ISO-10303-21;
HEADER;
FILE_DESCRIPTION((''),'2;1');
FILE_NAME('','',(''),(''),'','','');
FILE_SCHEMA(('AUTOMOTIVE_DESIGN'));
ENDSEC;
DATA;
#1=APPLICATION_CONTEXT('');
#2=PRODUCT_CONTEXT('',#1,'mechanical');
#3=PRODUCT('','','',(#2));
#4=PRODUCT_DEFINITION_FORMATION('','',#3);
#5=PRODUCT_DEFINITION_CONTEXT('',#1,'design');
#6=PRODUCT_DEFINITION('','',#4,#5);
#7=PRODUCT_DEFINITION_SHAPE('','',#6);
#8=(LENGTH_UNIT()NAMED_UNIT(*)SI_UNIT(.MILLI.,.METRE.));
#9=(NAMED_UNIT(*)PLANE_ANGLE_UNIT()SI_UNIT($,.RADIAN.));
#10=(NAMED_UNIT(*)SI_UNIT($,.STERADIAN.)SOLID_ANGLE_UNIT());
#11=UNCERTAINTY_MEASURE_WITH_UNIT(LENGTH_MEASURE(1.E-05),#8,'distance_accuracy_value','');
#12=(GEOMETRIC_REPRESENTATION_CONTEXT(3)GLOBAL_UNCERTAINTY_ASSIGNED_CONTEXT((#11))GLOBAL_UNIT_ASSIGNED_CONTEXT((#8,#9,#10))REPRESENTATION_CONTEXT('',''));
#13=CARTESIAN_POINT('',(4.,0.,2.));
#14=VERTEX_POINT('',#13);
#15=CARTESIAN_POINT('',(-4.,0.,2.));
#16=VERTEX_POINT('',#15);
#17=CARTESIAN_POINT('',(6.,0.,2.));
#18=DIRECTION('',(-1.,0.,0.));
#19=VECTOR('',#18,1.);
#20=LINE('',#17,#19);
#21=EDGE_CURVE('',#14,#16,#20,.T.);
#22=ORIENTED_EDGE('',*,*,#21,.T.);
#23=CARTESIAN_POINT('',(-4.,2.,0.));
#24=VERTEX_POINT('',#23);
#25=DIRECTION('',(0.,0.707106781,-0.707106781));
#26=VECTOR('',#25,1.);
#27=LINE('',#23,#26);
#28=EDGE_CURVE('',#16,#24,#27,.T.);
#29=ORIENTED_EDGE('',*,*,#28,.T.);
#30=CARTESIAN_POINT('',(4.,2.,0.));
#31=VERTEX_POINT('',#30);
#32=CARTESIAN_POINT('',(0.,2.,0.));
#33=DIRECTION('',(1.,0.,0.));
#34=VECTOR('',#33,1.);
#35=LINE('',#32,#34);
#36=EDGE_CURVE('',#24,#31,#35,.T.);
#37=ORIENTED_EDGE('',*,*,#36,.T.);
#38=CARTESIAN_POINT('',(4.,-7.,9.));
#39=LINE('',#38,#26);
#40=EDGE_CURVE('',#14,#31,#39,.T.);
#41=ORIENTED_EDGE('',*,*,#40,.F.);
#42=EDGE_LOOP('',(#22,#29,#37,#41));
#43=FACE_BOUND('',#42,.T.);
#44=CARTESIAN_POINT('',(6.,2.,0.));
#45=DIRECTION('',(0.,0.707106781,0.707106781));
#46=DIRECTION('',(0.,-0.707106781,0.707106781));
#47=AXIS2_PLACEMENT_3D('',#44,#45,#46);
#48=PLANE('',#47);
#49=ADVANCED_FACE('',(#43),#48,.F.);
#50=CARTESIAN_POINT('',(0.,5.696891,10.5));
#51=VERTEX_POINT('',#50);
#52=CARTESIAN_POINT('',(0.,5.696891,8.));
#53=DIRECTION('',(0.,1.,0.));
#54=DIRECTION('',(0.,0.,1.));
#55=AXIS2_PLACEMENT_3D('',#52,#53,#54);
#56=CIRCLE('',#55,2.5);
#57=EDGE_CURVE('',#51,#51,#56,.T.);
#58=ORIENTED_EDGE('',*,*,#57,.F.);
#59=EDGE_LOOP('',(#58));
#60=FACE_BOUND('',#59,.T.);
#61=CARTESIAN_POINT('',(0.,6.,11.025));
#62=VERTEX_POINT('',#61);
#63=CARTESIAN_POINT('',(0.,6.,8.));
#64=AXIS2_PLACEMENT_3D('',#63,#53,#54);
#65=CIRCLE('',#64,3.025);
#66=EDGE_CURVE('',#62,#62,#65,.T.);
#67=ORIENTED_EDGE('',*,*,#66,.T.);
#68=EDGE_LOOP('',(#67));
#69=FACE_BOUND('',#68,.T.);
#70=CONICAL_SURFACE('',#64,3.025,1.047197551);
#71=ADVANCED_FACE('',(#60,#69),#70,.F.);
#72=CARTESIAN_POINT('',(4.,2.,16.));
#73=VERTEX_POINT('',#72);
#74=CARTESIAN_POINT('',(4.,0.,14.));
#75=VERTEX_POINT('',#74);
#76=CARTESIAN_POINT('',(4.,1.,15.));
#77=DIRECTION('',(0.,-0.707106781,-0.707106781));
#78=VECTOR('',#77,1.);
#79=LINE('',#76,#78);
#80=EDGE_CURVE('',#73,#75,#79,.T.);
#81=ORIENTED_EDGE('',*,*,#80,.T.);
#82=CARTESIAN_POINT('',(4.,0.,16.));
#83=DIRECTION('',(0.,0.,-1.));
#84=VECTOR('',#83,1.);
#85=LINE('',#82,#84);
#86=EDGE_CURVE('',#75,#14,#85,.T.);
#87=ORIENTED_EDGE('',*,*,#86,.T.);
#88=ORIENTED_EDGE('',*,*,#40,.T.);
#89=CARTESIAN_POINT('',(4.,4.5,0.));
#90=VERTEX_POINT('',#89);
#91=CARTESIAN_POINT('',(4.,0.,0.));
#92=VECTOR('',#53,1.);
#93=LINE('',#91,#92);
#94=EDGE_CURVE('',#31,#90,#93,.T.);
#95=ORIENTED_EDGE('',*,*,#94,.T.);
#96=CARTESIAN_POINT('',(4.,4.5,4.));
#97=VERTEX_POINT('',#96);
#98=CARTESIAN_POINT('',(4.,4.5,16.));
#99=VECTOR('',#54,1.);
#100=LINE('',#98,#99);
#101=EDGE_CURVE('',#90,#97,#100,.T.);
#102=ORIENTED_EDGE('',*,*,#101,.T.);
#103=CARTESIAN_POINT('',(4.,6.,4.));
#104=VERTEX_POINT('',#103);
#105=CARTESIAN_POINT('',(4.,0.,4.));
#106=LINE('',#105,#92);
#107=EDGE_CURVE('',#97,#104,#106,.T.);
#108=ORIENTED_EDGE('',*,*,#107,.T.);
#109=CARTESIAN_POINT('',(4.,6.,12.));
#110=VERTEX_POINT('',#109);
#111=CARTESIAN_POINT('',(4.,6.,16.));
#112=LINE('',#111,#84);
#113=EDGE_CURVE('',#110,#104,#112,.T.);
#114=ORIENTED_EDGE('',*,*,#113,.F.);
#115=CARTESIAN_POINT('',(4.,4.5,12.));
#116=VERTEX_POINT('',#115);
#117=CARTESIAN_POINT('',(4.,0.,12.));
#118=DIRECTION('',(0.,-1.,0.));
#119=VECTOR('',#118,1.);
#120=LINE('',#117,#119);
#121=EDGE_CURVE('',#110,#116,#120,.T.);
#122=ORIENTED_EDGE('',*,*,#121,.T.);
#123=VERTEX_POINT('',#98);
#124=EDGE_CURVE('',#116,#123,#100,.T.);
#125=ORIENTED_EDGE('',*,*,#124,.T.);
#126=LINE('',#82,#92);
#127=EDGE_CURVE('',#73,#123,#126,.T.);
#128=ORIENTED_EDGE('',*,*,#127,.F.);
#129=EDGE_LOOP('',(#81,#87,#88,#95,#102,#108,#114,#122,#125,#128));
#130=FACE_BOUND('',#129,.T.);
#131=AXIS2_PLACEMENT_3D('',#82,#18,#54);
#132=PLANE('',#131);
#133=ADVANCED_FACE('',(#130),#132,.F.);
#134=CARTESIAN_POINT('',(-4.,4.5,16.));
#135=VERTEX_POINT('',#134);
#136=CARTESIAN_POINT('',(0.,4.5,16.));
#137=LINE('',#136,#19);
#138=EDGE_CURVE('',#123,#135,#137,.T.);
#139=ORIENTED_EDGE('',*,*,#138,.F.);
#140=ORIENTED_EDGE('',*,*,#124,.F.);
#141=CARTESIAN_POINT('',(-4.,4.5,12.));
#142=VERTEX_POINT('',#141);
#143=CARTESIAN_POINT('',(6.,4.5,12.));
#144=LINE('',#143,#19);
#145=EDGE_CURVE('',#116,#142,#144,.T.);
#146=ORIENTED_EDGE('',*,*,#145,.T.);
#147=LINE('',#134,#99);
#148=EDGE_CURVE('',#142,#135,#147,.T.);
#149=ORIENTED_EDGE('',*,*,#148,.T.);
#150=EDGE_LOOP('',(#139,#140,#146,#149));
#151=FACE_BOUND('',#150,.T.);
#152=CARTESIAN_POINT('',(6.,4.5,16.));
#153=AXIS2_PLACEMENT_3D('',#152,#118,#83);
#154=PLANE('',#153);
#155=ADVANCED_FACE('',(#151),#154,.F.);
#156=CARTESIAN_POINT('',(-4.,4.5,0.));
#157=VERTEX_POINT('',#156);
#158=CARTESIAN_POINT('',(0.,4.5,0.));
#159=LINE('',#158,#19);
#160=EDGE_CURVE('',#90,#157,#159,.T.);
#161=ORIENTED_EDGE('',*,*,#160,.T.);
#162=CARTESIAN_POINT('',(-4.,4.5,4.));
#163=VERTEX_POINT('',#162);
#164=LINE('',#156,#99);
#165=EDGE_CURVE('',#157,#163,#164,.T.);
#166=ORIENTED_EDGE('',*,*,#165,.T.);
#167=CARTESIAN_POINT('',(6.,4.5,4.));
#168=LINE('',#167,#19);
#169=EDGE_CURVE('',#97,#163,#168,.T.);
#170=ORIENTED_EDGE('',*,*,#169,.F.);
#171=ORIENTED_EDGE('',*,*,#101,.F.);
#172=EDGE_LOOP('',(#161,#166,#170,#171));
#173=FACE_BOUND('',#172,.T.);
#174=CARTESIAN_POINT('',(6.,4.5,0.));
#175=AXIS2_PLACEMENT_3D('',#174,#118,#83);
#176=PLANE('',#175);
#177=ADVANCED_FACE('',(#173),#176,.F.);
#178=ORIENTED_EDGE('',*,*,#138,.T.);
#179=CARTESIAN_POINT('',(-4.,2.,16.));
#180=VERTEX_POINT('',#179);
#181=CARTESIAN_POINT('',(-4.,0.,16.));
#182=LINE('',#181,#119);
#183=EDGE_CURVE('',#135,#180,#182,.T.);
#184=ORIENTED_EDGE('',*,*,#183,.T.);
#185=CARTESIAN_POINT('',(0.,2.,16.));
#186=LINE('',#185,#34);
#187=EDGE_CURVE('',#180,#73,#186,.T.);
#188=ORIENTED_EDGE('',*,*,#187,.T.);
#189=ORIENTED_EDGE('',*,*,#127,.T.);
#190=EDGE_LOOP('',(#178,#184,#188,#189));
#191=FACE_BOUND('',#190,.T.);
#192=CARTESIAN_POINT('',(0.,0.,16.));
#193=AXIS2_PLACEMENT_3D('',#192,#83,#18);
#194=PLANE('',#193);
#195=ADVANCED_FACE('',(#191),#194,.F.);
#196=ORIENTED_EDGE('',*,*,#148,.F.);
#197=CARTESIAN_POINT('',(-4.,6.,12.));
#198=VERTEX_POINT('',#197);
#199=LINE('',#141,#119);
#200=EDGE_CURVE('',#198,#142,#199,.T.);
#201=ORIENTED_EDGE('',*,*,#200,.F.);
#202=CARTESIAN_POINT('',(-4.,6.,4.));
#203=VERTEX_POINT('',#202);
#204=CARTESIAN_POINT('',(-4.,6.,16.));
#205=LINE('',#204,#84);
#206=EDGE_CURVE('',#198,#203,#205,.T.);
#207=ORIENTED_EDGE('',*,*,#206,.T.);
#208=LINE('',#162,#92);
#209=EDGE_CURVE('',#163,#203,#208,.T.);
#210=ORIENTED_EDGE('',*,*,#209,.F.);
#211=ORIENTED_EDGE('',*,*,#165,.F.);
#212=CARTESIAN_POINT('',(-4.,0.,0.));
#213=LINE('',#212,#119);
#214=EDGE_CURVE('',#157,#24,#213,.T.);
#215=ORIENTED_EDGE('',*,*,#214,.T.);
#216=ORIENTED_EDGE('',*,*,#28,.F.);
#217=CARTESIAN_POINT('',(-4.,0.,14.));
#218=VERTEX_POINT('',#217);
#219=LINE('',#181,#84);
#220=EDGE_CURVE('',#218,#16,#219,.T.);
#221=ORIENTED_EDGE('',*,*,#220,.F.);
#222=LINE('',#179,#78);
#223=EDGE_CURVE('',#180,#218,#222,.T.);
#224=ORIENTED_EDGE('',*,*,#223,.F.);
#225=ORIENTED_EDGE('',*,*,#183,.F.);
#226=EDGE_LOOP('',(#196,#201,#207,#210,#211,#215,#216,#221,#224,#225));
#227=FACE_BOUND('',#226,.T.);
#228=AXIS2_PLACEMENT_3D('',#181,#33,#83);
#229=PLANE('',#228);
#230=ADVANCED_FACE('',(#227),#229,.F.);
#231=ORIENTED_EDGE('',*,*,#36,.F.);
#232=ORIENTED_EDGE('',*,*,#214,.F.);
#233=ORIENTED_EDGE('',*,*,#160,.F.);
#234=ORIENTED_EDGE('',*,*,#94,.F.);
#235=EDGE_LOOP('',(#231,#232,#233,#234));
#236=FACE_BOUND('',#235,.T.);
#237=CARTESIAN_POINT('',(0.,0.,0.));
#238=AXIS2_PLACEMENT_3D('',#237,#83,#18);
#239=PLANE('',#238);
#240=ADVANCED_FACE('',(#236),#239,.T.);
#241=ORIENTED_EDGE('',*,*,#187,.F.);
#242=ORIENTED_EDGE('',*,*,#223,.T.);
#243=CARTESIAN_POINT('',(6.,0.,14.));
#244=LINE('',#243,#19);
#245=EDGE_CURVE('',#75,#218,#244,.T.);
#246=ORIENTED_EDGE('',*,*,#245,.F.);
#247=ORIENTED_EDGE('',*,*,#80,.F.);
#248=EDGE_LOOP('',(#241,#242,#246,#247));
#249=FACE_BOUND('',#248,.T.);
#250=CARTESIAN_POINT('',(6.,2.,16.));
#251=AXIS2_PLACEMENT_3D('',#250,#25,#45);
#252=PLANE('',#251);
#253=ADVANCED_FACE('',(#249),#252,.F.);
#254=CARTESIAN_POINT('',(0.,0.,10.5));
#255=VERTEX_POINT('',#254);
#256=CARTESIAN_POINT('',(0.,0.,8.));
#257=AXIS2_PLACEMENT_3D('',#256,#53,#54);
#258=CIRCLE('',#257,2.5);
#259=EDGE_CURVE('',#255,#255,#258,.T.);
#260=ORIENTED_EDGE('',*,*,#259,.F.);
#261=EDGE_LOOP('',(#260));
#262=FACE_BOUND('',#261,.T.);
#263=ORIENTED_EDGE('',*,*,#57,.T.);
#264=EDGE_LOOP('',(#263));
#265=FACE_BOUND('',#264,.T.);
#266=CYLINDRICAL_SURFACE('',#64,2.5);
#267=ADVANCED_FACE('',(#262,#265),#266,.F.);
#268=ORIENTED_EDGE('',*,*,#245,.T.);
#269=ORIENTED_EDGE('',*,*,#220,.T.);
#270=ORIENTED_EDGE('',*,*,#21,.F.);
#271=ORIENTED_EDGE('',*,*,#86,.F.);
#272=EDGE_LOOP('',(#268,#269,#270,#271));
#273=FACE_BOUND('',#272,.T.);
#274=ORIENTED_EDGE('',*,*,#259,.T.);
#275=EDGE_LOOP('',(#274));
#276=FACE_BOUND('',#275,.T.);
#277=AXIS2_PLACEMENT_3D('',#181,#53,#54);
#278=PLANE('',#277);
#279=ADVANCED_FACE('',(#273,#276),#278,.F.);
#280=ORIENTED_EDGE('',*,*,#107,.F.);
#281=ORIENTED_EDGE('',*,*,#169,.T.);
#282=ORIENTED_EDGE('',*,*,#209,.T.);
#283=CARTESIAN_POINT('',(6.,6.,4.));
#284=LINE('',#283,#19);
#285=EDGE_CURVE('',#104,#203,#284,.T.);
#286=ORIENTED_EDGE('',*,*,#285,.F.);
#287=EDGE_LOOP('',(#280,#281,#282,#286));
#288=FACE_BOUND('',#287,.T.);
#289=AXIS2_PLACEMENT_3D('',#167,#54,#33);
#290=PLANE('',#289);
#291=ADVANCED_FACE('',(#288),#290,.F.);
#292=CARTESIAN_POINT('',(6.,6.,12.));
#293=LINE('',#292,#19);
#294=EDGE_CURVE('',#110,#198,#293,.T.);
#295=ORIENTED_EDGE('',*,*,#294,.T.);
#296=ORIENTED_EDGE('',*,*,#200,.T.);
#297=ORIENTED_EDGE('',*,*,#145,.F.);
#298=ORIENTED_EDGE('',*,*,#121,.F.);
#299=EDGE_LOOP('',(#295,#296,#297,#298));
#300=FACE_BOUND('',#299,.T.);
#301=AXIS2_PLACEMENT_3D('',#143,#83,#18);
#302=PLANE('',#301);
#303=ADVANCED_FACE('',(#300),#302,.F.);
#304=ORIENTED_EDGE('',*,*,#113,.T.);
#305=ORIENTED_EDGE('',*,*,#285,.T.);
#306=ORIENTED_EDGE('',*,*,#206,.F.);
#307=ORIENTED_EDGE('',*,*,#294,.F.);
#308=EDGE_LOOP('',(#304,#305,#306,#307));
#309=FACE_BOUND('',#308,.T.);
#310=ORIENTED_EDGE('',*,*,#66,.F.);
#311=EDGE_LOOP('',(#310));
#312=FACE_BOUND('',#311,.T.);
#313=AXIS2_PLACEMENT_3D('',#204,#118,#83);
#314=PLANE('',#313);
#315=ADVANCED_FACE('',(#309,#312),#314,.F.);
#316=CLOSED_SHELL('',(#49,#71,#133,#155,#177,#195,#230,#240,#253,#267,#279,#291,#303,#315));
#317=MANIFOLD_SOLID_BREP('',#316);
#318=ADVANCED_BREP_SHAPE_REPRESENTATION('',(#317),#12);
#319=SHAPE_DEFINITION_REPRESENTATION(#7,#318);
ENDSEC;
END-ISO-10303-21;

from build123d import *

# Parameters (mm, degrees)
SCHIZZO1_W                      = 8
SCHIZZO1_H                      = 6
ESTRUSIONE_ESTRUSIONE1_DEPTH    = 16
FORO_FILETTATO_M6_1_D           = 5
FORO_FILETTATO_M6_1_CSINK_D     = 6.05
FORO_FILETTATO_M6_1_CSINK_ANGLE = 120
SCHIZZO4_W                      = 4
SCHIZZO4_H                      = 1.5
TAGLIO_ESTRUSIONE1_DEPTH        = 10


with BuildPart() as part:
    # Schizzo1 → Estrusione-Estrusione1 (new body)
    with BuildSketch(Plane.XY):
        with Locations((0, 3)):
            Rectangle(SCHIZZO1_W, SCHIZZO1_H)
    extrude(amount=ESTRUSIONE_ESTRUSIONE1_DEPTH)

    # Foro filettato M6-1 (through all)
    with Locations(Plane(origin=(0, 6, 0), x_dir=(1, 0, 0), z_dir=(0, 1, 0))):
        with Locations((0, -8)):
            CounterSinkHole(FORO_FILETTATO_M6_1_D / 2, FORO_FILETTATO_M6_1_CSINK_D / 2, counter_sink_angle=FORO_FILETTATO_M6_1_CSINK_ANGLE)

    # Schizzo4 → Taglio-Estrusione1 (cut)
    with BuildSketch(Plane.ZY.offset(4)):
        Polygon((0, 0), (0, 2), (2, 0), align=None)
        Polygon((16, 0), (16, 2), (14, 0), align=None)
        with Locations((14, 5.25)):
            Rectangle(SCHIZZO4_W, SCHIZZO4_H)
        with Locations((2, 5.25)):
            Rectangle(SCHIZZO4_W, SCHIZZO4_H)
    extrude(amount=-TAGLIO_ESTRUSIONE1_DEPTH, mode=Mode.SUBTRACT)


solid = part.part
